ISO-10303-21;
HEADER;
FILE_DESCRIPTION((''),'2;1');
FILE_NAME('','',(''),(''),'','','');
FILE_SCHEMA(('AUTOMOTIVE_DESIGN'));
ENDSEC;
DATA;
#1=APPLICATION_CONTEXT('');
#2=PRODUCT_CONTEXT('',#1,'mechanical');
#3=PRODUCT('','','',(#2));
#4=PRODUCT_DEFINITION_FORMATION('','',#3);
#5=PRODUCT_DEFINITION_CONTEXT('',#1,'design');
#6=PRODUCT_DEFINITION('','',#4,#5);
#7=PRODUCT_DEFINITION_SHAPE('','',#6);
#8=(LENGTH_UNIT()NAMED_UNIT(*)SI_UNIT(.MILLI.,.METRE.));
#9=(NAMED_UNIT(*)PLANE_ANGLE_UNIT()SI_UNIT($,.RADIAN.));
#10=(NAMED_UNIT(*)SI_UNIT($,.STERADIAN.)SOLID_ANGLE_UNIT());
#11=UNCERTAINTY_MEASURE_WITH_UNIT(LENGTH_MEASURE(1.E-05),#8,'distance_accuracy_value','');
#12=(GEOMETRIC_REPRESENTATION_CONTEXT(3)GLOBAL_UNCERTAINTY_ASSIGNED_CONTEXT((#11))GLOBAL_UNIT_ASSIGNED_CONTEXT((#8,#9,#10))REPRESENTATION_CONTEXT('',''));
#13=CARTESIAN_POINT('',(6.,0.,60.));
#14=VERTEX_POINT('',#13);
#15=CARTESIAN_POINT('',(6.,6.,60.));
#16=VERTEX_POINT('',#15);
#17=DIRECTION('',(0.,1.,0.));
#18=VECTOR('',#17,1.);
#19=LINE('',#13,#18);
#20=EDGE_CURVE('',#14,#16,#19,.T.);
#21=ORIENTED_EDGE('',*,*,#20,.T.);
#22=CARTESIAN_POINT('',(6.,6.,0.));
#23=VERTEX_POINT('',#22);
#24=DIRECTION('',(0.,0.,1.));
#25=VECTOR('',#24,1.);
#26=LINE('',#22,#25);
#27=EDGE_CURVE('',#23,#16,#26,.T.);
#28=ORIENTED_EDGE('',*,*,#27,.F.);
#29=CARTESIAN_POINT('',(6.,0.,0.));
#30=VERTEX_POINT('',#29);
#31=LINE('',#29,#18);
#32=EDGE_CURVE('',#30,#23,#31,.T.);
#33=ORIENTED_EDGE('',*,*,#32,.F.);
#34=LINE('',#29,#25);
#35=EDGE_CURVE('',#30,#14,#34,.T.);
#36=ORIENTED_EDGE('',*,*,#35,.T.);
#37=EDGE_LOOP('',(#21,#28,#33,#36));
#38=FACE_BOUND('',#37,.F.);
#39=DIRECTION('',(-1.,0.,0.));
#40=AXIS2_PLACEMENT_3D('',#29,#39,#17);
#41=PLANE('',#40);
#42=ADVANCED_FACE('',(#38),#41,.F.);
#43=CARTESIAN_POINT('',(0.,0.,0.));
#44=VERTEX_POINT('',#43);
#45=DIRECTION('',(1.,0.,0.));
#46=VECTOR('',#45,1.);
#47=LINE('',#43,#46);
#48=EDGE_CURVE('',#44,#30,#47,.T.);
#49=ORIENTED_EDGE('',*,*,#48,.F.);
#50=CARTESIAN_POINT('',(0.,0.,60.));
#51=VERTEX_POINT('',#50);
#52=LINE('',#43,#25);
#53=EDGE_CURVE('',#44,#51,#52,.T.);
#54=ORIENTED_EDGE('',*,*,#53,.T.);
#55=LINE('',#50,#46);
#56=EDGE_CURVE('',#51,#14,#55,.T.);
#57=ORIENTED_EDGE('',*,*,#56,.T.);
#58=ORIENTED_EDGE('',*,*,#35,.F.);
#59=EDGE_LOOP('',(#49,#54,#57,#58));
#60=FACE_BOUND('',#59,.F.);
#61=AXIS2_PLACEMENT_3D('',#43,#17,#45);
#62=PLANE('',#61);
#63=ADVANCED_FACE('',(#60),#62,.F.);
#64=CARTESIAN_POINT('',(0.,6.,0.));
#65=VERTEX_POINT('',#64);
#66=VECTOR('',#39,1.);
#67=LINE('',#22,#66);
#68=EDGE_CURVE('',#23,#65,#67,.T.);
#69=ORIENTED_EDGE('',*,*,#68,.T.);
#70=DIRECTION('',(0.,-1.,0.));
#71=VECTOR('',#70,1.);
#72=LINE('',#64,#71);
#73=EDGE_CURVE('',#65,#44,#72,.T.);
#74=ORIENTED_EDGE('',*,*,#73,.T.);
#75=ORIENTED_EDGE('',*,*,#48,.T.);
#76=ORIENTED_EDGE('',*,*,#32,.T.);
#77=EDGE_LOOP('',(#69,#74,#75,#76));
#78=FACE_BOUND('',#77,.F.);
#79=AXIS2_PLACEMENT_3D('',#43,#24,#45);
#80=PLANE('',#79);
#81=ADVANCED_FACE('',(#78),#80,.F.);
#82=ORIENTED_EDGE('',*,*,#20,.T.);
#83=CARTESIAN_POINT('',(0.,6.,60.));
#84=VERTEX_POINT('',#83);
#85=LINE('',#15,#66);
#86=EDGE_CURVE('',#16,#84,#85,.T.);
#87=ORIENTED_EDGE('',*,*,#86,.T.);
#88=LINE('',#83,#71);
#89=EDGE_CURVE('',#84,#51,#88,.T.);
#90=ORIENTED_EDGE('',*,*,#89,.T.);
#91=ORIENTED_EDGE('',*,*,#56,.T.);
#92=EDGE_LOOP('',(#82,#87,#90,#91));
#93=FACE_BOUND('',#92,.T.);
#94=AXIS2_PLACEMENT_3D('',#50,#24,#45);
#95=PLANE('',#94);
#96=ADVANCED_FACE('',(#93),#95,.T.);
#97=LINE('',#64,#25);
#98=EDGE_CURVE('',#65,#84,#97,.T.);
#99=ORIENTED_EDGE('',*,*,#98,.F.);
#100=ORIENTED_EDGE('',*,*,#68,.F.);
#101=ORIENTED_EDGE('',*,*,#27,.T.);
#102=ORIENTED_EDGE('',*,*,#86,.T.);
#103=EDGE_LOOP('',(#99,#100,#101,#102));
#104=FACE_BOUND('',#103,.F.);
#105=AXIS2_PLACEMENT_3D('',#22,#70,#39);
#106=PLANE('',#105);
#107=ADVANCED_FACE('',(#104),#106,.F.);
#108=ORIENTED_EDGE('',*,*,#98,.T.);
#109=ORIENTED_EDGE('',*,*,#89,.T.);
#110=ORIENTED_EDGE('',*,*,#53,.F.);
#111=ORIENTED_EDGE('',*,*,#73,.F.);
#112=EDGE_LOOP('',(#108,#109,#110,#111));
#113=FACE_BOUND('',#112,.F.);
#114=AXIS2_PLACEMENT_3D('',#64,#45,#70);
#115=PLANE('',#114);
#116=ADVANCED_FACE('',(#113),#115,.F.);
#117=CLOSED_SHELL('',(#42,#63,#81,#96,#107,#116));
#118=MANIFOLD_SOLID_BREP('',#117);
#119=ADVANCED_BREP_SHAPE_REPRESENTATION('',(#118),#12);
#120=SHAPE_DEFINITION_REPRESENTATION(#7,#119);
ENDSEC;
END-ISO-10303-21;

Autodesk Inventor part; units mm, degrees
ref_plane "YZ Plane" through (0, 0, 0) normal (1, 0, 0) x (0, 1, 0)
ref_plane "XZ Plane" through (0, 0, 0) normal (0, 1, 0) x (-1, 0, 0)
ref_plane "XY Plane" through (0, 0, 0) normal (0, 0, 1) x (1, 0, 0)
sketch "Sketch1" plane through (0, 0, 0) normal (0, 0, 1) x (1, 0, 0)
  line L0 (0, 0) -> (6, 0)
  line L1 (6, 0) -> (6, 6)
  line L2 (6, 6) -> (0, 6)
  line L3 (0, 6) -> (0, 0)
  dimension "d0" = 6
  dimension "d1" = 6
extrude "Extrusion1" add sketch "Sketch1" along normal blind 60
properties part number "PlexStick"
